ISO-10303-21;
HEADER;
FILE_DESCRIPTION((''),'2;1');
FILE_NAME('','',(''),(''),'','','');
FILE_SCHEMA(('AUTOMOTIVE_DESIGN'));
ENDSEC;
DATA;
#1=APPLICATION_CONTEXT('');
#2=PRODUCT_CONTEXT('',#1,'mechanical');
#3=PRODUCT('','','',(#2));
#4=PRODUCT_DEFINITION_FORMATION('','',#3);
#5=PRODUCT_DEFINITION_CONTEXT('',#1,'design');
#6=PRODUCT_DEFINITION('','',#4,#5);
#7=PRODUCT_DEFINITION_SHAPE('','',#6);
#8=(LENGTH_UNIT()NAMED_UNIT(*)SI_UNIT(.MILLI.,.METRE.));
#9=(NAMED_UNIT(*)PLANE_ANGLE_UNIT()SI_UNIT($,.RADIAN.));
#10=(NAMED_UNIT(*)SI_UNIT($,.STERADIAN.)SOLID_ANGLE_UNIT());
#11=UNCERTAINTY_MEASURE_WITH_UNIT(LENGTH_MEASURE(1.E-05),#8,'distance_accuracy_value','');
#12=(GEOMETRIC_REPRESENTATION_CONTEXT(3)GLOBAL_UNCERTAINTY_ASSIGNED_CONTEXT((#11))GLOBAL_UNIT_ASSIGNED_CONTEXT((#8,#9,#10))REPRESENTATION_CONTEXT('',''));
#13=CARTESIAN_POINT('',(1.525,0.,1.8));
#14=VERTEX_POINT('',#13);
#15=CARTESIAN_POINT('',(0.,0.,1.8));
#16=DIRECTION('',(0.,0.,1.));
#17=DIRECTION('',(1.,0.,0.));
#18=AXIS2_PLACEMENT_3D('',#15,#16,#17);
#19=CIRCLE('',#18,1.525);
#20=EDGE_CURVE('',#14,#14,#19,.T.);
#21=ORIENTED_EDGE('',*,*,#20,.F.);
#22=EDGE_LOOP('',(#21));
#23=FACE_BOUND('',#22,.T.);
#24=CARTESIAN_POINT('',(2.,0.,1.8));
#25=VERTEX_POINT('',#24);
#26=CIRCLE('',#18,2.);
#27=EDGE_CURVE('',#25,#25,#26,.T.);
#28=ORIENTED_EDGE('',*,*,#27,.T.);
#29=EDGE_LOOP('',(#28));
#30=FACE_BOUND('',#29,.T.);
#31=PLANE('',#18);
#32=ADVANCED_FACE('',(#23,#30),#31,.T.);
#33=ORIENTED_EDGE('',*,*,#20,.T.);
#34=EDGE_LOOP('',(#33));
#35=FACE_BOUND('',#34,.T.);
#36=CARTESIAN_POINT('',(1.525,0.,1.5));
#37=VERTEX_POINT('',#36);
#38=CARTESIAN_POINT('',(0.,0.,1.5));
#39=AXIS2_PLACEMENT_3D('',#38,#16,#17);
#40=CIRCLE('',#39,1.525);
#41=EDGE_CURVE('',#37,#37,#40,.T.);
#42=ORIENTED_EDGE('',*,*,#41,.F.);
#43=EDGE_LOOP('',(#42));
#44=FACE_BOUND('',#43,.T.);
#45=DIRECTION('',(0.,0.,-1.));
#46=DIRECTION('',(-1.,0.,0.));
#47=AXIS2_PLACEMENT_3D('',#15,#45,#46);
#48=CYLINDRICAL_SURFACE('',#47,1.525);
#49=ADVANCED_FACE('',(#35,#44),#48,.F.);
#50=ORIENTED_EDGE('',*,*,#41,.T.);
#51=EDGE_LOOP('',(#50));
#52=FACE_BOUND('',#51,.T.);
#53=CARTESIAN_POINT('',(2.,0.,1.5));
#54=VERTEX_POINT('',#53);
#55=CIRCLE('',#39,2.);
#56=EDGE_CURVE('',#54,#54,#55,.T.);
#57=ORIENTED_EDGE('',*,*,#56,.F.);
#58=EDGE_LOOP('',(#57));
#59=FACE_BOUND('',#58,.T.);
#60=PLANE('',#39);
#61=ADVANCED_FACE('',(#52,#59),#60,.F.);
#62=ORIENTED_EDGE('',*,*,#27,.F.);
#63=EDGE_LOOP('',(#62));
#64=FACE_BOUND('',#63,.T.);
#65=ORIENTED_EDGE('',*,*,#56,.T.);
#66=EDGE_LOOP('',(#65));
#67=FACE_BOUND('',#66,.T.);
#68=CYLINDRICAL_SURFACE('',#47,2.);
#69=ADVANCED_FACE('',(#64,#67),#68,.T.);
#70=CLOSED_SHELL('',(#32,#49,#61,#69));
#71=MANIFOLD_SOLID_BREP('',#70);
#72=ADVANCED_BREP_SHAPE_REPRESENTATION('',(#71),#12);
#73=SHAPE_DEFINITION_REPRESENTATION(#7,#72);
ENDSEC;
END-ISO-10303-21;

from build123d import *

# Parameters (mm, degrees)
INNER_RACE_SPACER_H0P3_START = 1.5
SKETCH1_R                    = 2
SKETCH1_R_2                  = 1.525
INNER_RACE_SPACER_H0P3_DEPTH = 0.3


with BuildPart() as part:
    # Sketch1 → Inner_Race_Spacer_H0p3 (new body)
    with BuildSketch(Plane.XY.offset(INNER_RACE_SPACER_H0P3_START)):
        Circle(SKETCH1_R)
        Circle(SKETCH1_R_2, mode=Mode.SUBTRACT)
    extrude(amount=INNER_RACE_SPACER_H0P3_DEPTH)


solid = part.part
